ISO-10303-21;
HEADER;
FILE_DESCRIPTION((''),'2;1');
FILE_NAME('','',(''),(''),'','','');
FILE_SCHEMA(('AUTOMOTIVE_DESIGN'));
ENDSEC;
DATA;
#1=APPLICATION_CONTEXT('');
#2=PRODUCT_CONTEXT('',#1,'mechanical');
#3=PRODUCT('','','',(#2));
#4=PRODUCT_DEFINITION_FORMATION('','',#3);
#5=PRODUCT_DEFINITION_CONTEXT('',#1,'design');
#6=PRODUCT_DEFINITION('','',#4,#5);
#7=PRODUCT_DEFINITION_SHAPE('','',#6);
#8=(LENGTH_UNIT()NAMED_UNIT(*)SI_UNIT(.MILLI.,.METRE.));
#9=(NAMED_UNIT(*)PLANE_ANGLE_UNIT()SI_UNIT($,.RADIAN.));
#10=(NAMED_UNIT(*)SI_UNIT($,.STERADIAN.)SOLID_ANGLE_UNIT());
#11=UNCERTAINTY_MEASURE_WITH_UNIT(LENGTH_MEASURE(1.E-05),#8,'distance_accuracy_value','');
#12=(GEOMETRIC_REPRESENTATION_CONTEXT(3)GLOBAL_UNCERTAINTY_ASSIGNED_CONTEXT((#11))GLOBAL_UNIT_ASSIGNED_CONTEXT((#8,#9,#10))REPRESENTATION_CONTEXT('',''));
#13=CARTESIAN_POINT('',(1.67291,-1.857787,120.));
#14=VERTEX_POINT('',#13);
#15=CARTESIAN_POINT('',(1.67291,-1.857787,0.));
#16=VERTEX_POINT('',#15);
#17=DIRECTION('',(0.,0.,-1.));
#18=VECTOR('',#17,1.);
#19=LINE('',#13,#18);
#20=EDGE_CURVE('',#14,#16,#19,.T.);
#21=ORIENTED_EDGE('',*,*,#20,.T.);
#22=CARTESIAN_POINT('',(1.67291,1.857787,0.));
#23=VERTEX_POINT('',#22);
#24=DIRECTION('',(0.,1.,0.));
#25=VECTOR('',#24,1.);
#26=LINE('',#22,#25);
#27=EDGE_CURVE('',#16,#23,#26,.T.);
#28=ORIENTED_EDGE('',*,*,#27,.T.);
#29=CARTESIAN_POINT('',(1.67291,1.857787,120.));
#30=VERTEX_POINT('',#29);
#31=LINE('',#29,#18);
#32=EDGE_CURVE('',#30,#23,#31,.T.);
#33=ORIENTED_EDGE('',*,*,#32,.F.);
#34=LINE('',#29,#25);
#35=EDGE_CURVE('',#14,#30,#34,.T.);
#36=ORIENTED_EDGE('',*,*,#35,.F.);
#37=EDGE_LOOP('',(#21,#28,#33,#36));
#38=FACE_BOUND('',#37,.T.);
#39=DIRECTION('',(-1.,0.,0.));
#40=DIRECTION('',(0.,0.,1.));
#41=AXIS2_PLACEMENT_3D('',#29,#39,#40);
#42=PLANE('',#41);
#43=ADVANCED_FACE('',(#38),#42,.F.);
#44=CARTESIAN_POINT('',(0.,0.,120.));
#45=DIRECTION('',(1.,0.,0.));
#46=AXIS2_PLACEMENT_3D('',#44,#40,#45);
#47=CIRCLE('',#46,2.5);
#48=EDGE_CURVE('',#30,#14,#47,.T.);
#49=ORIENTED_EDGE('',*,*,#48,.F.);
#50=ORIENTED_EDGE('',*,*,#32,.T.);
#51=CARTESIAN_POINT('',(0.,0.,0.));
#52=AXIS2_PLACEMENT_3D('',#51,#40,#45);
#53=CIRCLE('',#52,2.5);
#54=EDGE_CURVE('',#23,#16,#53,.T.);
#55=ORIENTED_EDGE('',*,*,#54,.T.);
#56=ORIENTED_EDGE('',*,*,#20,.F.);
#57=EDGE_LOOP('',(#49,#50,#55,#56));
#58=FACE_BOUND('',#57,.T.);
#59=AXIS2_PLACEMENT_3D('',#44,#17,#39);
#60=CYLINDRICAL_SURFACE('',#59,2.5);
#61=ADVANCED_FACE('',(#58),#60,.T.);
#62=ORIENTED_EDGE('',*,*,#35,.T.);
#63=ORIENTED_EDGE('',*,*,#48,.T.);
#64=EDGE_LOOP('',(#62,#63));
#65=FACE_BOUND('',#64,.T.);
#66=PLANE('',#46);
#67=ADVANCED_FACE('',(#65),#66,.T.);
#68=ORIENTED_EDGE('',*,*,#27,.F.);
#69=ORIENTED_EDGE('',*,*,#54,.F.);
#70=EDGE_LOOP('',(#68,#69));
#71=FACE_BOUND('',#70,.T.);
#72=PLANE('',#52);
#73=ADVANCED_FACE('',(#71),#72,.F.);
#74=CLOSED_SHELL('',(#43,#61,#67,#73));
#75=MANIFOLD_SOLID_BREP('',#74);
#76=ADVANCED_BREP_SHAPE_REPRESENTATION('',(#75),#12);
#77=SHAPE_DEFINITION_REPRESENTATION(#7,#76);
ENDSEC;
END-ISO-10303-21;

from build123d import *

# Parameters (mm, degrees)
CROQUIS1_R              = 2.5
SALIENTE_EXTRUIR1_DEPTH = 120
CORTAR_EXTRUIR1_DEPTH   = 121.052072035


with BuildPart() as part:
    # Croquis1 → Saliente-Extruir1 (new body)
    with BuildSketch(Plane.XY):
        Circle(CROQUIS1_R)
    extrude(amount=SALIENTE_EXTRUIR1_DEPTH)

    # Croquis2 → Cortar-Extruir1 (cut, through all)
    with BuildSketch(Plane(origin=(0, 0, 0), x_dir=(-1, 0, 0), z_dir=(0, 0, -1))):
        with BuildLine():
            Line((-1.672910403, 1.857786528), (-1.672910403, -1.857786528))
            ThreePointArc((-1.672910403, -1.857786528), (-2.5, 0), (-1.672910403, 1.857786528))
        make_face()
    extrude(amount=-CORTAR_EXTRUIR1_DEPTH, mode=Mode.SUBTRACT)


solid = part.part
